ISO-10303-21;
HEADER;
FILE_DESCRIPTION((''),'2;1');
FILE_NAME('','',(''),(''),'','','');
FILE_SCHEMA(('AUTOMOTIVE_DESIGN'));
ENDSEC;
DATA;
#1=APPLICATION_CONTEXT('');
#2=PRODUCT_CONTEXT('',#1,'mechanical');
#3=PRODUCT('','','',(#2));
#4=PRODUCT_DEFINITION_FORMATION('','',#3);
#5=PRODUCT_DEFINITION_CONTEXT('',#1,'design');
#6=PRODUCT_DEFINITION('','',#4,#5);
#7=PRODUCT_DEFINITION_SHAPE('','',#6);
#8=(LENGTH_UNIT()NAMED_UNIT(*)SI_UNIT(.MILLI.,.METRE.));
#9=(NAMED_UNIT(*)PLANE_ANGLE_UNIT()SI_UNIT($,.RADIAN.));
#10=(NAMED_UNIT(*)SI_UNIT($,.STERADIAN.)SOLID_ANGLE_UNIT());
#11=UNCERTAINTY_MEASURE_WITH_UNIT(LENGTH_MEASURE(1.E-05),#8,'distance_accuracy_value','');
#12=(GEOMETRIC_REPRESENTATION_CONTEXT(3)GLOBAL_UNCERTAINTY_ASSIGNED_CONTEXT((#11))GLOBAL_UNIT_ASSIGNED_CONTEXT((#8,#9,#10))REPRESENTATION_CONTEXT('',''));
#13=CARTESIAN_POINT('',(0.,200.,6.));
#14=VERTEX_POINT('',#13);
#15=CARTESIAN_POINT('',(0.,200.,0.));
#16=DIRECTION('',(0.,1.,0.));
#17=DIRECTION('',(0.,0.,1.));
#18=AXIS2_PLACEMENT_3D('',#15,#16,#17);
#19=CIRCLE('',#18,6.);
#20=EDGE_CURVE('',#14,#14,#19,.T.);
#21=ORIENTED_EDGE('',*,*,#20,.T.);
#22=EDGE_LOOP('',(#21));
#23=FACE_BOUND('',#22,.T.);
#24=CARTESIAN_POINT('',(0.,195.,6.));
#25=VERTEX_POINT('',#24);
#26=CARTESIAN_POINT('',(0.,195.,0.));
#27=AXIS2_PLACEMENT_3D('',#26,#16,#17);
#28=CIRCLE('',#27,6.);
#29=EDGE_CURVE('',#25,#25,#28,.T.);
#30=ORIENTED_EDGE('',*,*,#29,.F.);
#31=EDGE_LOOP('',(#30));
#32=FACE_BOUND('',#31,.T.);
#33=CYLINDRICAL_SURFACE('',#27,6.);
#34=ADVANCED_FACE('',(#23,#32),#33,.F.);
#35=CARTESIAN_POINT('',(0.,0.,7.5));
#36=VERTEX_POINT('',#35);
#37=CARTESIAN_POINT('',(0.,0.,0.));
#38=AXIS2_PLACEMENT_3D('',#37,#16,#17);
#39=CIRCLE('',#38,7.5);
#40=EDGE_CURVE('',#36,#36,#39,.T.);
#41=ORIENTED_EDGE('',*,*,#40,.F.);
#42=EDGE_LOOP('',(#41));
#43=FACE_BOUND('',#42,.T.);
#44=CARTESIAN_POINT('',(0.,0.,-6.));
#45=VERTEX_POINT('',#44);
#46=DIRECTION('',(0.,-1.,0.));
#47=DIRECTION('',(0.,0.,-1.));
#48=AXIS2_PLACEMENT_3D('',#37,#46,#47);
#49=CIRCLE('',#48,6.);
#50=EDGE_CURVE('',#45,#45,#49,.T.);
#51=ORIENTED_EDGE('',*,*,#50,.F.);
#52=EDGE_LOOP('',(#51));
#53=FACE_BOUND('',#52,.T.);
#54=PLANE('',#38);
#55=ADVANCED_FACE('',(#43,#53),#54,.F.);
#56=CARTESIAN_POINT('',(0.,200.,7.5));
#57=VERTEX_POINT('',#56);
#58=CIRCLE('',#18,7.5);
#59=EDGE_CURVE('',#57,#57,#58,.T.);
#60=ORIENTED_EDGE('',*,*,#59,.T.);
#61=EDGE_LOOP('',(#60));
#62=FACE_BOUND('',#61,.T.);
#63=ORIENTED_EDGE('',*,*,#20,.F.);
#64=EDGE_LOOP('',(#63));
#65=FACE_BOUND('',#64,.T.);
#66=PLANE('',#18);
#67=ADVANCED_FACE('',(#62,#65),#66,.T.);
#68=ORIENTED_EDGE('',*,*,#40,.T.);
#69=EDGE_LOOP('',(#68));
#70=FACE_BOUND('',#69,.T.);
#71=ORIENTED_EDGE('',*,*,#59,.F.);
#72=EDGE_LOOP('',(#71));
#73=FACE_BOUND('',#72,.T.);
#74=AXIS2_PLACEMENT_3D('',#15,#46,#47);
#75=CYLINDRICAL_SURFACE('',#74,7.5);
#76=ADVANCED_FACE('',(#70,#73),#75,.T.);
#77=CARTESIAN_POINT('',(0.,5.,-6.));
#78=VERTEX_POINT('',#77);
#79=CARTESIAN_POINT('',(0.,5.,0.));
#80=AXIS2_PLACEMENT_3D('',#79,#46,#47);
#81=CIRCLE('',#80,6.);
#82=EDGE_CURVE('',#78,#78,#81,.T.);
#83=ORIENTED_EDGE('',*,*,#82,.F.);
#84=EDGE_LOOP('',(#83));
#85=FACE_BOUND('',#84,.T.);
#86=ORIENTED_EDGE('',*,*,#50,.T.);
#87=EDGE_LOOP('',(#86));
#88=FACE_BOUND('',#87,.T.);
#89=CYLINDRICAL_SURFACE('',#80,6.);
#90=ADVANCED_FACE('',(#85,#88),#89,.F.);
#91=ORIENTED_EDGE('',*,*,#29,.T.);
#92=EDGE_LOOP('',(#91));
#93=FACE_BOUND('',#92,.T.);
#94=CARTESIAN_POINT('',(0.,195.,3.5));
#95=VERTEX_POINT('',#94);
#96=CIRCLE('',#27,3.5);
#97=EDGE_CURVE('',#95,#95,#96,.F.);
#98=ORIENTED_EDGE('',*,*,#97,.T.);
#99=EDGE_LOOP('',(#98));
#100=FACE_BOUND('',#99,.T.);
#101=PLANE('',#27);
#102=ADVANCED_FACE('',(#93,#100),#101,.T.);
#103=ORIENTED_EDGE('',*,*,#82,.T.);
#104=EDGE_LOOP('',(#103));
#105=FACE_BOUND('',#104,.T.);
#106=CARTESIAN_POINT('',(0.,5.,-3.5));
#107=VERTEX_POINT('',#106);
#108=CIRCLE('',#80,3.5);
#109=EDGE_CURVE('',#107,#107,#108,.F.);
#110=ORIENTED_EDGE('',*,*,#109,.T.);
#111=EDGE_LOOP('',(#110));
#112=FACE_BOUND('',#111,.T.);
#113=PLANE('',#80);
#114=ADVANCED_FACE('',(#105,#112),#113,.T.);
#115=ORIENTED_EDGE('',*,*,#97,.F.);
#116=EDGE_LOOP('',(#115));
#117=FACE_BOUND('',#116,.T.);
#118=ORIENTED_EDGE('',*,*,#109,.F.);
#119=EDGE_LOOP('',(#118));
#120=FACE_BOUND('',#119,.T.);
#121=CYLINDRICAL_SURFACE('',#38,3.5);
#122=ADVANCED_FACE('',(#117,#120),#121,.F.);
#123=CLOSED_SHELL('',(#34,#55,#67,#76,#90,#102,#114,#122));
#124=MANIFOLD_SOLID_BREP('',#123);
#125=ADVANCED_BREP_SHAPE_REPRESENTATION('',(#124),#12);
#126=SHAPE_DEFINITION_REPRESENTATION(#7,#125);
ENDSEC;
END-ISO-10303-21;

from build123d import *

# Parameters (mm, degrees)
SKETCH_1_R          = 7.5
EXTRUDE_1_DEPTH     = 200
SKETCH_2_R          = 3.5
CUT_EXTRUDE_1_DEPTH = 201
SKETCH_4_R          = 6
CUT_EXTRUDE_3_DEPTH = 5
SKETCH_7_R          = 6
CUT_EXTRUDE_4_DEPTH = 5


with BuildPart() as part:
    # Эскиз1 → Бобышка-Вытянуть1 (new body)
    with BuildSketch(Plane(origin=(0, 0, 0), x_dir=(1, 0, 0), z_dir=(0, 1, 0))):
        Circle(SKETCH_1_R)
    extrude(amount=EXTRUDE_1_DEPTH)

    # Эскиз2 → Вырез-Вытянуть1 (cut, through all)
    with BuildSketch(Plane(origin=(0, 200, 0), x_dir=(1, 0, 0), z_dir=(0, 1, 0))):
        Circle(SKETCH_2_R)
    extrude(amount=-CUT_EXTRUDE_1_DEPTH, mode=Mode.SUBTRACT)

    # Эскиз4 → Вырез-Вытянуть3 (cut)
    with BuildSketch(Plane(origin=(0, 200, 0), x_dir=(1, 0, 0), z_dir=(0, 1, 0))):
        Circle(SKETCH_4_R)
    extrude(amount=-CUT_EXTRUDE_3_DEPTH, mode=Mode.SUBTRACT)

    # Эскиз7 → Вырез-Вытянуть4 (cut)
    with BuildSketch(Plane.XZ):
        Circle(SKETCH_7_R)
    extrude(amount=-CUT_EXTRUDE_4_DEPTH, mode=Mode.SUBTRACT)


solid = part.part
